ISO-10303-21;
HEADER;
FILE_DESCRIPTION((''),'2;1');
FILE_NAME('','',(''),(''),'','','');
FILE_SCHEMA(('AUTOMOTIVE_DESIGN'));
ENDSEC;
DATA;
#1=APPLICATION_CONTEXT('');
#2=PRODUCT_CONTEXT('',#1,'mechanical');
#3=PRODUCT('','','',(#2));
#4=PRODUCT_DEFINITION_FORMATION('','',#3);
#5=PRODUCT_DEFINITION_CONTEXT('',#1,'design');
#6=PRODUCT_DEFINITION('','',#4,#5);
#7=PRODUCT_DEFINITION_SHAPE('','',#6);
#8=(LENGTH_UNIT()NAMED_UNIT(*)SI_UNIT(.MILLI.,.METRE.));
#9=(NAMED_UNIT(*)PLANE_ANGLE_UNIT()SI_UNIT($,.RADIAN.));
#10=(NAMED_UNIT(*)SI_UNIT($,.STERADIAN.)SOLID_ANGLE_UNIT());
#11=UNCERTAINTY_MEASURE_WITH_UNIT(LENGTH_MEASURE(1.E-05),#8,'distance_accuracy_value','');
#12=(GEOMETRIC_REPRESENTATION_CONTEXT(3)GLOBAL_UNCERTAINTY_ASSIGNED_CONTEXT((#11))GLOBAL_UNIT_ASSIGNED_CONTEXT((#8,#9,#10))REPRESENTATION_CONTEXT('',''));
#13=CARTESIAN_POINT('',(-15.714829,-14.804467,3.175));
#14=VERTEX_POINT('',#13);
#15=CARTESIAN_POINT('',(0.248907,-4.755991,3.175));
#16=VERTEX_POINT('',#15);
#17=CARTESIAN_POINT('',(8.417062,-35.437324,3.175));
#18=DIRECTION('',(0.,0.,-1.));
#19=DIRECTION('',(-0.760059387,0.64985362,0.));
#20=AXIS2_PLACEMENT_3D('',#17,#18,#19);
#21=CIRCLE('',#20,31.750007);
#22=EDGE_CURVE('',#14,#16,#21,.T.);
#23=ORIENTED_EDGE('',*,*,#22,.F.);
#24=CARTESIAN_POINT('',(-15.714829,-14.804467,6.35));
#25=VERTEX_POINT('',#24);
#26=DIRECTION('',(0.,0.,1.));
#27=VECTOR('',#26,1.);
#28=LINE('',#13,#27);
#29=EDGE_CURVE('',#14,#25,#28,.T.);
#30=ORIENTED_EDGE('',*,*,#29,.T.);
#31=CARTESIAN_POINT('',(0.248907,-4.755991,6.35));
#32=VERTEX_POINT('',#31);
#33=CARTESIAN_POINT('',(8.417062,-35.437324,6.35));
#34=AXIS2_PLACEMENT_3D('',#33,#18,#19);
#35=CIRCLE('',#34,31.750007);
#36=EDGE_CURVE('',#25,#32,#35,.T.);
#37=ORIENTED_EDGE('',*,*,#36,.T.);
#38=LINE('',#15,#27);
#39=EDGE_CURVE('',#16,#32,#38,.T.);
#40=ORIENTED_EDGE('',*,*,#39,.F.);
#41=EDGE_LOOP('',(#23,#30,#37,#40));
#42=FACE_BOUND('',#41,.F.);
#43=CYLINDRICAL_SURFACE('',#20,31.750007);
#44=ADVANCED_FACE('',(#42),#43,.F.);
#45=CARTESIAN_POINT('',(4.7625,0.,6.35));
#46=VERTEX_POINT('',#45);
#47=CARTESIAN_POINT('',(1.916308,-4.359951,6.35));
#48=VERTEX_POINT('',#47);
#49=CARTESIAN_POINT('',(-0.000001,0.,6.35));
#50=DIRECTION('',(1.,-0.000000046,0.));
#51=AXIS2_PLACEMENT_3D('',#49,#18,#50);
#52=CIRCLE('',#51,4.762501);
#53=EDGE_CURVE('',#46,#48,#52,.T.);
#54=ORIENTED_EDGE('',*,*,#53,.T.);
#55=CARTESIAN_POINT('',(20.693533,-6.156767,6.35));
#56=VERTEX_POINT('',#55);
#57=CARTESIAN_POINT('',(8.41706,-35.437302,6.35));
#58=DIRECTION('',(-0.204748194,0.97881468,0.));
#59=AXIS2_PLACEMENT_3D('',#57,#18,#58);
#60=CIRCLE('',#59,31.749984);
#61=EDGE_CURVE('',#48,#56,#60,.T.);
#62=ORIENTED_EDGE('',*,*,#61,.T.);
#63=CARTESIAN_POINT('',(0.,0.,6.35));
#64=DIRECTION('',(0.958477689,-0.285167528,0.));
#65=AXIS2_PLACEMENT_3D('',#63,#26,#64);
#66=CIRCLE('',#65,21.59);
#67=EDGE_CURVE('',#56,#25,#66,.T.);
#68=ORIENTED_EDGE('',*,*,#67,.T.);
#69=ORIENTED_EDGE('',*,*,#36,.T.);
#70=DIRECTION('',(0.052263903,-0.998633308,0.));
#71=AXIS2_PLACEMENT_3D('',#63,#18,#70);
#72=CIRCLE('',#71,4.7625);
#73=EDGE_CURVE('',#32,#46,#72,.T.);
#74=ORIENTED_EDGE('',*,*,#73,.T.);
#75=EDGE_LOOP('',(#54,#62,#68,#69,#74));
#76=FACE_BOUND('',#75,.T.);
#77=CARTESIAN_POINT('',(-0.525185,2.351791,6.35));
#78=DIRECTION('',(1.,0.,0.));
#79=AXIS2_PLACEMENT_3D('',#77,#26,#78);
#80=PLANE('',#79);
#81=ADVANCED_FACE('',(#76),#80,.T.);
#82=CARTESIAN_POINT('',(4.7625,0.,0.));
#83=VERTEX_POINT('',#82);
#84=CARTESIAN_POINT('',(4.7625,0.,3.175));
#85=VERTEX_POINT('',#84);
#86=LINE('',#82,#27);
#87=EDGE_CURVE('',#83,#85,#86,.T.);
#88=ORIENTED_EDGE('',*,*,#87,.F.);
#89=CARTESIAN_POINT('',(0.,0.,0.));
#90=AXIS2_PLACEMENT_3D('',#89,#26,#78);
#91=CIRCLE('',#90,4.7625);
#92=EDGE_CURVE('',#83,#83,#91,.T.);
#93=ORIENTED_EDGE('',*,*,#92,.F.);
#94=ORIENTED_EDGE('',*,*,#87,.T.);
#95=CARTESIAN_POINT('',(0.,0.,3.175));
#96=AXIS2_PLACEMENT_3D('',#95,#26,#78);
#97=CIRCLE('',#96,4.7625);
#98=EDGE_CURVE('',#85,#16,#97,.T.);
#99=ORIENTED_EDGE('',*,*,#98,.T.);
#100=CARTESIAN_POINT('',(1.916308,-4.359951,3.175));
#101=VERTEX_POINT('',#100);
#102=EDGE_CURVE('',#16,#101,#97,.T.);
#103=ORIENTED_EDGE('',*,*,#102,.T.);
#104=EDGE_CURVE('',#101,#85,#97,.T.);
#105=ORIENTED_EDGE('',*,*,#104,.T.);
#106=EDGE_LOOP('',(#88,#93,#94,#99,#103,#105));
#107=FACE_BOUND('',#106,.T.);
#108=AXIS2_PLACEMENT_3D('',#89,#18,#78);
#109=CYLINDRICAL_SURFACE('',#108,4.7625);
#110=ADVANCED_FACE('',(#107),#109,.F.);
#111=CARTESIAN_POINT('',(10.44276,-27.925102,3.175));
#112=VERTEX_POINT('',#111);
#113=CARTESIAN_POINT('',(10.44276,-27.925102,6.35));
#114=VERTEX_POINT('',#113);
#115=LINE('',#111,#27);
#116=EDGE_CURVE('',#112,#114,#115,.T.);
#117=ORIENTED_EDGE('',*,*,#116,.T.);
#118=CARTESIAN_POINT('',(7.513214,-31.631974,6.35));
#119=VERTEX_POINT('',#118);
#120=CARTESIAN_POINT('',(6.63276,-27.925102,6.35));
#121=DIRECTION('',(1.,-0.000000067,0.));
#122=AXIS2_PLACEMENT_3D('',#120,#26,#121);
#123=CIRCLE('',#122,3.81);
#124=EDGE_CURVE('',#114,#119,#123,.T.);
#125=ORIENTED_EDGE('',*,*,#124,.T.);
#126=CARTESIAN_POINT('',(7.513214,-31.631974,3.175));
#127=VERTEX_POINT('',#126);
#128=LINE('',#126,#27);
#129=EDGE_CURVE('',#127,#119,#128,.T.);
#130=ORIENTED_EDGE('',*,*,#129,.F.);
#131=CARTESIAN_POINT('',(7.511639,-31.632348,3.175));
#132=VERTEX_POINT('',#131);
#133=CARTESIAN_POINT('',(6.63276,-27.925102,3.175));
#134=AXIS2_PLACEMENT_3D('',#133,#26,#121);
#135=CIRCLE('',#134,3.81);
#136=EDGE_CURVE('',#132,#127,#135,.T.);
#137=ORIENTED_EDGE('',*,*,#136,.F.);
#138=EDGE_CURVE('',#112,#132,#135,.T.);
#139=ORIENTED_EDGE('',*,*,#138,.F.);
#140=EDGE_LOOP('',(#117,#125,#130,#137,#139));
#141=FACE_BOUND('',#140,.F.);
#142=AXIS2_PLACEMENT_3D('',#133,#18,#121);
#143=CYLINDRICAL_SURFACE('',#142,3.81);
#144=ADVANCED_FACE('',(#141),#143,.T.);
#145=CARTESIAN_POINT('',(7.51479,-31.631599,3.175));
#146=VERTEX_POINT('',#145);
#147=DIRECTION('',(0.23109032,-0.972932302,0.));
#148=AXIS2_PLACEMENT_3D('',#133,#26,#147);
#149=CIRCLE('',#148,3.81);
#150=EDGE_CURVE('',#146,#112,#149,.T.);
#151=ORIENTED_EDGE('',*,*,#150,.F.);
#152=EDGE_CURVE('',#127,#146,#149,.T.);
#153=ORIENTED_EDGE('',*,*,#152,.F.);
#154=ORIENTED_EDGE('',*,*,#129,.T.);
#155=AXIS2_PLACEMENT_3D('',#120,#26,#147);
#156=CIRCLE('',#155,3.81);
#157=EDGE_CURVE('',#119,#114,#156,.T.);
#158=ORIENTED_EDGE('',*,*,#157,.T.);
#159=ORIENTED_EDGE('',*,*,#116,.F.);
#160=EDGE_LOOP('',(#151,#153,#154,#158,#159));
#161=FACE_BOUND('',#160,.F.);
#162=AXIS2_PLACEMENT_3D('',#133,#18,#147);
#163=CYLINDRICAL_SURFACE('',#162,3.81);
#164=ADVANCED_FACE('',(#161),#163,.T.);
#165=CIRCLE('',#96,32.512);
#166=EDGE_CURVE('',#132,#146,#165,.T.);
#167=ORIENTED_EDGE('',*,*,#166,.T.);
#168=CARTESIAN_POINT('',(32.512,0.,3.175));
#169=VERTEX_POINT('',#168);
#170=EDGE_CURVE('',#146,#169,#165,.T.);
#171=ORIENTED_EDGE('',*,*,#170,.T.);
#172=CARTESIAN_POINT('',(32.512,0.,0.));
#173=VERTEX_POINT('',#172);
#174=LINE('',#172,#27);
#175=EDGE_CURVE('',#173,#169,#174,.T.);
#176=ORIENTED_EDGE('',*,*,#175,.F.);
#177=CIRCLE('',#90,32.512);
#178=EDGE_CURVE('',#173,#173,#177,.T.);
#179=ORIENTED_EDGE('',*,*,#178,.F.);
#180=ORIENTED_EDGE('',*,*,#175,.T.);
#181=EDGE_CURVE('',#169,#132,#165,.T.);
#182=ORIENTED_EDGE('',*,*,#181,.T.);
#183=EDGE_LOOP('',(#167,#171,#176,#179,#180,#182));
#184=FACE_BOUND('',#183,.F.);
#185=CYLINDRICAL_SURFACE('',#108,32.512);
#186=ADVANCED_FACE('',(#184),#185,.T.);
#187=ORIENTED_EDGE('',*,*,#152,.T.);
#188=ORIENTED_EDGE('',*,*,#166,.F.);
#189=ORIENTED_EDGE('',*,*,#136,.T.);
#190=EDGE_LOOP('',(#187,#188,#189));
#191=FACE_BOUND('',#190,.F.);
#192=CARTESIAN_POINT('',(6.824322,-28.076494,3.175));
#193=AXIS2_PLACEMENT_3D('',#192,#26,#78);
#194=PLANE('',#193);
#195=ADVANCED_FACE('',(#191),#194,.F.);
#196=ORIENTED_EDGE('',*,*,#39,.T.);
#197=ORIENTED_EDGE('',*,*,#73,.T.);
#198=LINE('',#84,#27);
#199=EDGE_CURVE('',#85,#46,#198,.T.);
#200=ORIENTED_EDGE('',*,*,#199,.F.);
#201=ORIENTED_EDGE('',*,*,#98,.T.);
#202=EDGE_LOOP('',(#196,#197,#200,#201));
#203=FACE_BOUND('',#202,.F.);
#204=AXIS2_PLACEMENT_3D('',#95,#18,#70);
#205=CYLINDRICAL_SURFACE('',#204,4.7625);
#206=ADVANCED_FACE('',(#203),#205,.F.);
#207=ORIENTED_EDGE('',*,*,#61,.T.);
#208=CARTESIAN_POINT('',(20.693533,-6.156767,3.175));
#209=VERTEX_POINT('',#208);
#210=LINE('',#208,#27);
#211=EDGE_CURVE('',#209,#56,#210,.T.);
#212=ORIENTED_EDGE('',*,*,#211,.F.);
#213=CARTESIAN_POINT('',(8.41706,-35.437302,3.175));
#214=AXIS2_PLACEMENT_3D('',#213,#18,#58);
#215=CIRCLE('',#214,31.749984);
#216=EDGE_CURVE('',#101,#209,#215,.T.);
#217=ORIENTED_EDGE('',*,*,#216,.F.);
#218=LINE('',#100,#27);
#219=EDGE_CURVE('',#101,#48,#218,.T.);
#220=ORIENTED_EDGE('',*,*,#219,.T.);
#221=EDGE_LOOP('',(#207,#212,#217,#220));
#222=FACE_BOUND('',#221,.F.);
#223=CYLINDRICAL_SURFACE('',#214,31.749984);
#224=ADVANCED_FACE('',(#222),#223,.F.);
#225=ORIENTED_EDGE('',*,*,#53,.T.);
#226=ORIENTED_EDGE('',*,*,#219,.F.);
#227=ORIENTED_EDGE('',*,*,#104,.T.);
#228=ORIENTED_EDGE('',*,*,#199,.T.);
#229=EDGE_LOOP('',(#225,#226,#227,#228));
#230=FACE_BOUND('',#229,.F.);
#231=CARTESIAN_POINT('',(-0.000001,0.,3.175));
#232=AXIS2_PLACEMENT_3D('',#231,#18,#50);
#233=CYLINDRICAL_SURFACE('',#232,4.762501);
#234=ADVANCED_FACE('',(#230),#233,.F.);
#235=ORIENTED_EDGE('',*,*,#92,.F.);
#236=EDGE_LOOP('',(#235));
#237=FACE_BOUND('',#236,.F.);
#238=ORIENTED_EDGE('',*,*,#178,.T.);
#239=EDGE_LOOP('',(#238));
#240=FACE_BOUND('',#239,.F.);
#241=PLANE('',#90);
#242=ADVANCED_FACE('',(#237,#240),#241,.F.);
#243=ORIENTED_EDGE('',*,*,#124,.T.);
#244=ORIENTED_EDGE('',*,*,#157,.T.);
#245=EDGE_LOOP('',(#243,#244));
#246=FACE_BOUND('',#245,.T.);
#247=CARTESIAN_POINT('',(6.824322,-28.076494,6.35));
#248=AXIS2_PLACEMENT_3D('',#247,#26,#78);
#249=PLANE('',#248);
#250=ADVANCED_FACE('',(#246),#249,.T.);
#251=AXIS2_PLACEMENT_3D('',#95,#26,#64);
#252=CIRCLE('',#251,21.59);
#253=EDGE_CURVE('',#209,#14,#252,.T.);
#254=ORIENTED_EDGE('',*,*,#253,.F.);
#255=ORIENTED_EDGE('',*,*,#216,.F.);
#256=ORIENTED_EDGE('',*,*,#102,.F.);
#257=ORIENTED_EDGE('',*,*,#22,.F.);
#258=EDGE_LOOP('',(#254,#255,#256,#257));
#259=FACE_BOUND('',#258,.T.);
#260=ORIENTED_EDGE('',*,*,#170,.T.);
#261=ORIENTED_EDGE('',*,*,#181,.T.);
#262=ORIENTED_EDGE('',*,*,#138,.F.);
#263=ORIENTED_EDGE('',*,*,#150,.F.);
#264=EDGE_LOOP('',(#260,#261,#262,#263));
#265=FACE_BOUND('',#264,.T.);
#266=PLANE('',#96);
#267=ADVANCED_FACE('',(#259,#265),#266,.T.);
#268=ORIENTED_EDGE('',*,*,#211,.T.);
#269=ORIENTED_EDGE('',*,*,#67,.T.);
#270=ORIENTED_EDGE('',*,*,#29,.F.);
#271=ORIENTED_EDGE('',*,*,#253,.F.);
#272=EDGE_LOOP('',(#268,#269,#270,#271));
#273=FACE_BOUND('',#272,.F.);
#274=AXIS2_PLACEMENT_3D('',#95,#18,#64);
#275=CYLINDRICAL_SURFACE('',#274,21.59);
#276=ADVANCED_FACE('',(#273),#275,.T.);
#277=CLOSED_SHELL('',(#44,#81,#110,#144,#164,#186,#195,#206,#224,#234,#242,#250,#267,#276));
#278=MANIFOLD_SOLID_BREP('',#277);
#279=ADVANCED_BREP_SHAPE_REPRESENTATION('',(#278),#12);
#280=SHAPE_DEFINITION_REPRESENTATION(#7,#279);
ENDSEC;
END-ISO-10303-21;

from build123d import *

# Parameters (mm, degrees)
F0_R     = 32.512
F0_R_2   = 4.7625
F1_DEPTH = 3.175
F3_DEPTH = 3.175


with BuildPart() as f1:
    # F0 (on Top) → F1 (new body)
    with BuildSketch(Plane.XY):
        Circle(F0_R)
        Circle(F0_R_2, mode=Mode.SUBTRACT)
    extrude(amount=F1_DEPTH)

    # F2 (on face) → F3 (join)
    with BuildSketch(Plane.XY.offset(3.175)):
        with BuildLine():
            ThreePointArc((1.916308, -4.359951), (11.44144, -3.831691), (20.693533, -6.156767))
            ThreePointArc((20.693533, -6.156767), (-4.989244, 21.005607), (-15.714829, -14.804467))
            ThreePointArc((-15.714829, -14.804467), (-8.49643, -8.567327), (0.248907, -4.755991))
            ThreePointArc((0.248907, -4.755991), (-3.454477, 3.278413), (4.7625, 0))
            ThreePointArc((4.7625, 0), (3.987971, -2.603362), (1.916308, -4.359951))
        make_face()
        with BuildLine():
            ThreePointArc((7.513214, -31.631974), (9.62196, -30.28747), (10.44276, -27.925102))
            ThreePointArc((10.44276, -27.925102), (3.64356, -25.562733), (7.513214, -31.631974))
        make_face()
    extrude(amount=F3_DEPTH)


solid = f1.part
